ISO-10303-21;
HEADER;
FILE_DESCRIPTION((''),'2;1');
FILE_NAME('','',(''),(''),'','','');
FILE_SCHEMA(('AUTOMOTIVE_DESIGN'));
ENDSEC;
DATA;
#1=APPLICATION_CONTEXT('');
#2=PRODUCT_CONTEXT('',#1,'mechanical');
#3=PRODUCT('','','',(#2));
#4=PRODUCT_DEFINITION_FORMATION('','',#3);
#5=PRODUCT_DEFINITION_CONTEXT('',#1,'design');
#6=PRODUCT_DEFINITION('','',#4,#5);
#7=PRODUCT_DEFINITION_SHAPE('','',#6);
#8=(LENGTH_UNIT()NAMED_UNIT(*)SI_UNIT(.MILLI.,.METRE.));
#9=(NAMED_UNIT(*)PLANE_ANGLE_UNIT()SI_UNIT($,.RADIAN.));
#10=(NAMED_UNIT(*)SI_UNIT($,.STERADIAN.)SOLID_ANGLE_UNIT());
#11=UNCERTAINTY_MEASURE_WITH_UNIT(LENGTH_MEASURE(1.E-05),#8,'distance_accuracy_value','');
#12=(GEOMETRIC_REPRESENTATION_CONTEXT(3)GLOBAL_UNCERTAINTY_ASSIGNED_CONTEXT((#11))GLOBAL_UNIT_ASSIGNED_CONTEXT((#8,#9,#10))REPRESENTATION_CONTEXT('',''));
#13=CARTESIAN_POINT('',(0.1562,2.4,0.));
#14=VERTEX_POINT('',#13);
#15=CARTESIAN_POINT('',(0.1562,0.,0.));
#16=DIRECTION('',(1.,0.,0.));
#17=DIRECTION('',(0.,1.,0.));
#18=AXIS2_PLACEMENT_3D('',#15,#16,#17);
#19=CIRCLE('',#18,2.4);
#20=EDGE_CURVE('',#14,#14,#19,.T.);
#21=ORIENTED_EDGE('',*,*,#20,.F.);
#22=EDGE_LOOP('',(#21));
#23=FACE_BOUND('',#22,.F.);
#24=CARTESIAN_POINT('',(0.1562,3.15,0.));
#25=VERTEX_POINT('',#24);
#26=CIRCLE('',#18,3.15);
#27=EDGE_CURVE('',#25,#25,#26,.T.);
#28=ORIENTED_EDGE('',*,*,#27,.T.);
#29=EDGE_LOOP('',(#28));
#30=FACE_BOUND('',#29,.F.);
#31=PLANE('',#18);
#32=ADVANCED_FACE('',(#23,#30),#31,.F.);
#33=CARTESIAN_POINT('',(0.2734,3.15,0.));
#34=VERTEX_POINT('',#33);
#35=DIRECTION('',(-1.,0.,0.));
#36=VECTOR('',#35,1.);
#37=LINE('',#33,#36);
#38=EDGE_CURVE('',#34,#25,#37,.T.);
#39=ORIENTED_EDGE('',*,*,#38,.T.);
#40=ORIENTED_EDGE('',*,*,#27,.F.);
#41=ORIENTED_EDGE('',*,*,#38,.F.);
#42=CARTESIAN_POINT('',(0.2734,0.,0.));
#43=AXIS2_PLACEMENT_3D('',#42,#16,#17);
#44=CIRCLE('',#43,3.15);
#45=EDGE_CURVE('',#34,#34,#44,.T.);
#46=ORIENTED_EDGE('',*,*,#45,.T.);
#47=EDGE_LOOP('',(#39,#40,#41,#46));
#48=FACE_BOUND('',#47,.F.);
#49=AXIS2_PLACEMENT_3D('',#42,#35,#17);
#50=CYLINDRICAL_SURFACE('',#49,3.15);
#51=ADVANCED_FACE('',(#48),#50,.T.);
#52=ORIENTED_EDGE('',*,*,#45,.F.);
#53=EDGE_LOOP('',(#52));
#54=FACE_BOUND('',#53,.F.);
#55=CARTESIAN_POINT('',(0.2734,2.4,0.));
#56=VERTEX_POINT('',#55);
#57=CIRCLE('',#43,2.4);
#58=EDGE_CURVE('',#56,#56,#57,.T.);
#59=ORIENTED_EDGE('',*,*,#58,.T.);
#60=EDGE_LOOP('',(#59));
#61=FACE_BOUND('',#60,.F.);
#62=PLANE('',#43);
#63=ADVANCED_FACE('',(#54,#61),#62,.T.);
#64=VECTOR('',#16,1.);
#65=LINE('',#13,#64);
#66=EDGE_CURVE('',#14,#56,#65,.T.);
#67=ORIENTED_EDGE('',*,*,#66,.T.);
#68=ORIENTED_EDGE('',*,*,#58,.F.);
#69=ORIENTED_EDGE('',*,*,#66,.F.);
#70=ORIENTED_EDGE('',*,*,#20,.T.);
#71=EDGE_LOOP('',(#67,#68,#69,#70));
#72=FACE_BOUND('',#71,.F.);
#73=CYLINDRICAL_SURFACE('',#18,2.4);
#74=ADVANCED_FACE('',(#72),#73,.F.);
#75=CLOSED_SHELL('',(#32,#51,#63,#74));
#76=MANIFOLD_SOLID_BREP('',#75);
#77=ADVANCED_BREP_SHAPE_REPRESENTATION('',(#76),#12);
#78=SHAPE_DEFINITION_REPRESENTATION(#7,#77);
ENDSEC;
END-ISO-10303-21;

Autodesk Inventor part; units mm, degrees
sketch "Sketch_1" plane through (0, 0, 0) normal (0, 0, 1) x (1, 0, 0)
  line L0 (0.2734, 0) -> (0.1562, 0)
  line L1 (0.1562, 2.4) -> (0.2734, 2.4)
  line L2 (0.2734, 2.4) -> (0.2734, 3.15)
  line L3 (0.2734, 3.15) -> (0.1562, 3.15)
  line L4 (0.1562, 3.15) -> (0.1562, 2.4)
revolve "Revolution1" add sketch "Sketch_1" angle 360 about axis through (0.2734, 0, 0) along (1, 0, 0)
ref_plane "ip_st_1_XY" through (0.1562, 0, 0) normal (-1, 0, 0) x (0, 0, -1)
ref_plane "ip_st_1_YZ" through (0.1562, 0, 0) normal (0, 0, -1) x (0, -1, 0)
ref_plane "ip_st_1_ZX" through (0.1562, 0, 0) normal (0, -1, 0) x (-1, 0, 0)
properties part number "MF74ZZ Shield1"
